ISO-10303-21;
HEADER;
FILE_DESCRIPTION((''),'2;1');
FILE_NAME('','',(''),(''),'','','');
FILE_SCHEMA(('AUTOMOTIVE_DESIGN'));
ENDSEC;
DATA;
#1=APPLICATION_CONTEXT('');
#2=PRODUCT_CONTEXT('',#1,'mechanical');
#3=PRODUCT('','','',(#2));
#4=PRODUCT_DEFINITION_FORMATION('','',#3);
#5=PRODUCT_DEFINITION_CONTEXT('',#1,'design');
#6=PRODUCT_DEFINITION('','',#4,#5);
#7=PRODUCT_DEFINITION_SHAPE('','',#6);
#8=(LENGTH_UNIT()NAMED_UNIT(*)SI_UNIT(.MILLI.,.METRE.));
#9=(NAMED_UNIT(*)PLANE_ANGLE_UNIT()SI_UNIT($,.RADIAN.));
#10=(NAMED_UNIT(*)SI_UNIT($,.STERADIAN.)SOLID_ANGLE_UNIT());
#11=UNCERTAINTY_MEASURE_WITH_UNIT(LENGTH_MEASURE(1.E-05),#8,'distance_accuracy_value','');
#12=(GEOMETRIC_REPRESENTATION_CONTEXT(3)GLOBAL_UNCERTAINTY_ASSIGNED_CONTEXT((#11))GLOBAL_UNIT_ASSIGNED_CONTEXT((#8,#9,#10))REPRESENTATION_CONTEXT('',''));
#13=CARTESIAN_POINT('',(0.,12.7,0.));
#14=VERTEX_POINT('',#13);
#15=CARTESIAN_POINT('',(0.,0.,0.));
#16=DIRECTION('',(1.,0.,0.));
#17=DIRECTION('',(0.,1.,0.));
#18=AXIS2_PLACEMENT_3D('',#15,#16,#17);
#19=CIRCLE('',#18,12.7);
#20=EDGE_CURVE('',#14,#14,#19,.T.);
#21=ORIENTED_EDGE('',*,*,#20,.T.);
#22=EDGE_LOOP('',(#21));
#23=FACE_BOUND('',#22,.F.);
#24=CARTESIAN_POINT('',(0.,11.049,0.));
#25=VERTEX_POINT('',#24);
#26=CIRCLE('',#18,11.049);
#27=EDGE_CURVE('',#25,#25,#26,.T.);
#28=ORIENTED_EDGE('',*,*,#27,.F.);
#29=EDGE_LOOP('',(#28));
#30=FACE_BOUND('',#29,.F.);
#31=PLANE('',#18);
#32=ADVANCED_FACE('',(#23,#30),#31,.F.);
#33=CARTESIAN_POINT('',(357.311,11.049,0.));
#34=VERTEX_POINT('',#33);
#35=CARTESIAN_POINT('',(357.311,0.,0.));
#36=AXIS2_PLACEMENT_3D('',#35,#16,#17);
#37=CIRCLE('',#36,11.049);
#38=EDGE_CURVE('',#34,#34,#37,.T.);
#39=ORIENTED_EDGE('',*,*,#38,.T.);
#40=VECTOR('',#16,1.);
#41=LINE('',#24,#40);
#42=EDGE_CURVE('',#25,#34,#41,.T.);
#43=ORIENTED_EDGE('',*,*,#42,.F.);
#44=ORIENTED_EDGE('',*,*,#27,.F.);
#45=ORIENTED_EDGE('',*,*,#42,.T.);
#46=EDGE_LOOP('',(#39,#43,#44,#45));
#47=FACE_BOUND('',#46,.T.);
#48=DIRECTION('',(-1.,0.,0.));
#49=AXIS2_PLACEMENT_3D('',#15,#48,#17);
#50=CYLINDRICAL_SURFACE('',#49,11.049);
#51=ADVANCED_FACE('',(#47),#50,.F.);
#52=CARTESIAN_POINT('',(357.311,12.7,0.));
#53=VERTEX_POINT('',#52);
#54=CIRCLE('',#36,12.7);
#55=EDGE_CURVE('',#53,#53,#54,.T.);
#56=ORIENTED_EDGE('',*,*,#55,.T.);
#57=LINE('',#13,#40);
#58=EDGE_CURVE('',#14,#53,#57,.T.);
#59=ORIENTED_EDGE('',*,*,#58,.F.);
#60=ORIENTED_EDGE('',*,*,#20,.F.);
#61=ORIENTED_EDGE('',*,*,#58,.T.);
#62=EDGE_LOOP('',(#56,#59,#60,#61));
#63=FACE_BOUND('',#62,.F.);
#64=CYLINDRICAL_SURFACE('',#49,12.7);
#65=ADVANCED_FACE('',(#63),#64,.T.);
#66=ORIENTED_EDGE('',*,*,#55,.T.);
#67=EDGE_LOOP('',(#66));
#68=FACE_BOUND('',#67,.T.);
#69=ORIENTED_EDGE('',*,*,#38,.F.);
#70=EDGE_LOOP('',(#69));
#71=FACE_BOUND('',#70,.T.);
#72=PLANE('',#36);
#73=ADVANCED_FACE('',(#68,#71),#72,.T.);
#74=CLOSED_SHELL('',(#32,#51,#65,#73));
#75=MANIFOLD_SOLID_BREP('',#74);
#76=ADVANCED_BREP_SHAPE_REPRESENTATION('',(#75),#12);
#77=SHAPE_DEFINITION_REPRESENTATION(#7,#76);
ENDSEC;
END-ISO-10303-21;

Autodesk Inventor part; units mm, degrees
ref_plane "XZ Plane" through (0, 0, 0) normal (0, 1, 0) x (-1, 0, 0)
ref_plane "Start Plane" through (0, 0, 0) normal (1, 0, 0) x (0, 1, 0)
ref_plane "End Plane" through (357.311, 0, 0) normal (1, 0, 0) x (0, 1, 0)
sketch "Sketch" plane through (0, 0, 0) normal (1, 0, 0) x (0, 1, 0)
  circle A0 centre (0, 0) radius 12.7
  circle A1 centre (0, 0) radius 11.049
  dimension "d0" = 25.4
  dimension "d1" = 1.651
extrude "Body" add sketch "Sketch" along normal up to surface (357.311 mm away) from surface at 0
sketch "Sketch2" plane through (0, 0, 0) normal (1, 0, 0) x (0, 1, 0)
  line L0 (0, 0) -> (10, 0)
ref_plane "Work Plane3" through (0, 0, 0) normal (0, 0, -1) x (0, 1, 0)
sketch "Sketch3" plane through (0, 0, 0) normal (0, 0, -1) x (0, 1, 0)
  line L0 (-2, 0) -> (12, 0)
  line L1 (-2, 357.311) -> (12, 357.311)
  dimension "d9" = 357.3109
equation "\"G_OFFSET_START\" = 0"
equation "\"G_OFFSET_END\" = 0"
equation "\"d5\" = d2 + G_OFFSET_END"
equation "\"G_L\" = d9"
equation "\"d2\" = 357.310951"
properties part number "4130_1x0.065" material "Steel, Alloy"
